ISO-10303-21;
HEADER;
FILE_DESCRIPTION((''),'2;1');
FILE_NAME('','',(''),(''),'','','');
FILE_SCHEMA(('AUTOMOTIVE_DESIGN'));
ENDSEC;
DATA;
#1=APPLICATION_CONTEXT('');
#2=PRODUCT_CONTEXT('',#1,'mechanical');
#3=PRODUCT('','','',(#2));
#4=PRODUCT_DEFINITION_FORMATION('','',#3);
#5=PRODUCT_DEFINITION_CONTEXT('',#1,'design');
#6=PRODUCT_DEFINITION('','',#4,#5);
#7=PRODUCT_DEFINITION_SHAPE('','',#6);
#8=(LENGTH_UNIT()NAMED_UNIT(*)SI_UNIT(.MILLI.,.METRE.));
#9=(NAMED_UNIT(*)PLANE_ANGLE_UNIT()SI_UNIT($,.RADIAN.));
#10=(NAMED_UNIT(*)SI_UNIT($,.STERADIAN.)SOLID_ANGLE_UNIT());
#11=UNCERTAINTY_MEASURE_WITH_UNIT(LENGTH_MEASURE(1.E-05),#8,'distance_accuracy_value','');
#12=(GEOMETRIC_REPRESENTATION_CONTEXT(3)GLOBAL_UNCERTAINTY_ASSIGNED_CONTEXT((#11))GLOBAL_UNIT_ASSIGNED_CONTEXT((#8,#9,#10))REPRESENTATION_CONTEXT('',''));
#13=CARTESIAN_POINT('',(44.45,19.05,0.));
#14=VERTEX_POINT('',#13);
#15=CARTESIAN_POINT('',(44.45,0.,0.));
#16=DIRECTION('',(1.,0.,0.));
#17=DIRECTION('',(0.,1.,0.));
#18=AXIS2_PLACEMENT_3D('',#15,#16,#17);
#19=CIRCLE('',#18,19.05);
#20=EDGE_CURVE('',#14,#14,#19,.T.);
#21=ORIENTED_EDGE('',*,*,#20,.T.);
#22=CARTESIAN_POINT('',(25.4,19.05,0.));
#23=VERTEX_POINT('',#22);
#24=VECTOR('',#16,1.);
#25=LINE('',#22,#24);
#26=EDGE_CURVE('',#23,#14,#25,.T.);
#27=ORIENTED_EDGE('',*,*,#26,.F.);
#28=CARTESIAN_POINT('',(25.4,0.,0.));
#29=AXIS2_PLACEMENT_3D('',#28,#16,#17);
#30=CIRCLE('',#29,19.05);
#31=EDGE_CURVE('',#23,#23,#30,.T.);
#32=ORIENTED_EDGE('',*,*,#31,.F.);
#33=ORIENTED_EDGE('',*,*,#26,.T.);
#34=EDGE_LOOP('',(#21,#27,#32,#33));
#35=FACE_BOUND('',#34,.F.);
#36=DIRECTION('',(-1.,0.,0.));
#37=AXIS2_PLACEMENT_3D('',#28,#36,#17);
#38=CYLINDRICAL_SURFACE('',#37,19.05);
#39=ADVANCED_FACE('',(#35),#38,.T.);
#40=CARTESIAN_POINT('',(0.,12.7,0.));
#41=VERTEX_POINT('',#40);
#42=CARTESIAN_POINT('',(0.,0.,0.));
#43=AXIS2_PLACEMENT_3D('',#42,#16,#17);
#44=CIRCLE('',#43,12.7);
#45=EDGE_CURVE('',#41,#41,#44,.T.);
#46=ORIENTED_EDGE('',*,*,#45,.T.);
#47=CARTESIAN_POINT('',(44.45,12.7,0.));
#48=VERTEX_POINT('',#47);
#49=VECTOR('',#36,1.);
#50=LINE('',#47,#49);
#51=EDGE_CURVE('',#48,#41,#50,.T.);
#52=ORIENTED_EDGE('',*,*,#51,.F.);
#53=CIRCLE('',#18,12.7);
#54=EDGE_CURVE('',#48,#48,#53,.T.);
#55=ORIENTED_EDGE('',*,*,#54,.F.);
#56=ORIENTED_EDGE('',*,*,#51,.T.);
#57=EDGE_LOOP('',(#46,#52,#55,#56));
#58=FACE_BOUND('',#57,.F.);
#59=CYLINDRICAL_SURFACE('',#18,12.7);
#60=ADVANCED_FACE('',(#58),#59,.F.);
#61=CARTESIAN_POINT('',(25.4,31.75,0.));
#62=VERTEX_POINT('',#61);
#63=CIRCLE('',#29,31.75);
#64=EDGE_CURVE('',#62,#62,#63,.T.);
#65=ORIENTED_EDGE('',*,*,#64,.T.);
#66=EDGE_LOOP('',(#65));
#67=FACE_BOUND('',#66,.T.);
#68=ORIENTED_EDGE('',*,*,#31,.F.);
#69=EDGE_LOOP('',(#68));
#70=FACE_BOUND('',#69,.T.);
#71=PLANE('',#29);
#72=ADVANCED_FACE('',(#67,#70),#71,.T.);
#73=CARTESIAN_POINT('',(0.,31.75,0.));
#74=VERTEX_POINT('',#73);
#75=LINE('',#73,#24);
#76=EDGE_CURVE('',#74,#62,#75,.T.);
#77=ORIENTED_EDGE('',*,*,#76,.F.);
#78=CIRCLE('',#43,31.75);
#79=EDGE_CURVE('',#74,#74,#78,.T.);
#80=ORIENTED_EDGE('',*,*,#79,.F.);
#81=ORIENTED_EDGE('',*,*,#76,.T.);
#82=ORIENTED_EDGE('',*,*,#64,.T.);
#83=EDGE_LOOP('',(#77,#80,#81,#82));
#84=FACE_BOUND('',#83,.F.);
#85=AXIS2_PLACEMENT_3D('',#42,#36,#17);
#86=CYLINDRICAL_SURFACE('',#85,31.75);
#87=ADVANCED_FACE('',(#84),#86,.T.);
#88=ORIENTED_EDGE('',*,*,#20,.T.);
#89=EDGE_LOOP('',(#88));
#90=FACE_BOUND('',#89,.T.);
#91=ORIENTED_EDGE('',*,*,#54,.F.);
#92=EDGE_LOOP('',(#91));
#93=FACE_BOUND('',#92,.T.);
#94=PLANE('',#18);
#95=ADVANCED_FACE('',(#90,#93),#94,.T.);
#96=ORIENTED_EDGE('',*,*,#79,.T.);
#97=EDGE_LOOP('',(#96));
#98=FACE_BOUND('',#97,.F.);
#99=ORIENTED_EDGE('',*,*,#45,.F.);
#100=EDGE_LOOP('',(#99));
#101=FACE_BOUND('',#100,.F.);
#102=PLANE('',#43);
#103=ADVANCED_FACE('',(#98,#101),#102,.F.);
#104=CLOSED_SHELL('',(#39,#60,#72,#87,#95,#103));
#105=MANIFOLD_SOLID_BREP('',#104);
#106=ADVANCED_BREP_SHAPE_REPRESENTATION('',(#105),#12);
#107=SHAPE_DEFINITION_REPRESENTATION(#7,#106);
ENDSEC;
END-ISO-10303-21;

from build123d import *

# Parameters (mm, degrees)
F0_R     = 31.75
F1_DEPTH = 25.4
F2_R     = 19.05
F3_DEPTH = 19.05
F4_R     = 12.7
F5_DEPTH = 177.8


with BuildPart() as f1:
    # F0 (on Right) → F1 (new body)
    with BuildSketch(Plane.YZ):
        Circle(F0_R)
    extrude(amount=F1_DEPTH)

    # F2 (on face) → F3 (join)
    with BuildSketch(Plane.YZ.offset(25.4)):
        Circle(F2_R)
    extrude(amount=F3_DEPTH)

    # F4 (on face) → F5 (cut)
    with BuildSketch(Plane.YZ.offset(44.45)):
        Circle(F4_R)
    extrude(amount=-F5_DEPTH, mode=Mode.SUBTRACT)


solid = f1.part
